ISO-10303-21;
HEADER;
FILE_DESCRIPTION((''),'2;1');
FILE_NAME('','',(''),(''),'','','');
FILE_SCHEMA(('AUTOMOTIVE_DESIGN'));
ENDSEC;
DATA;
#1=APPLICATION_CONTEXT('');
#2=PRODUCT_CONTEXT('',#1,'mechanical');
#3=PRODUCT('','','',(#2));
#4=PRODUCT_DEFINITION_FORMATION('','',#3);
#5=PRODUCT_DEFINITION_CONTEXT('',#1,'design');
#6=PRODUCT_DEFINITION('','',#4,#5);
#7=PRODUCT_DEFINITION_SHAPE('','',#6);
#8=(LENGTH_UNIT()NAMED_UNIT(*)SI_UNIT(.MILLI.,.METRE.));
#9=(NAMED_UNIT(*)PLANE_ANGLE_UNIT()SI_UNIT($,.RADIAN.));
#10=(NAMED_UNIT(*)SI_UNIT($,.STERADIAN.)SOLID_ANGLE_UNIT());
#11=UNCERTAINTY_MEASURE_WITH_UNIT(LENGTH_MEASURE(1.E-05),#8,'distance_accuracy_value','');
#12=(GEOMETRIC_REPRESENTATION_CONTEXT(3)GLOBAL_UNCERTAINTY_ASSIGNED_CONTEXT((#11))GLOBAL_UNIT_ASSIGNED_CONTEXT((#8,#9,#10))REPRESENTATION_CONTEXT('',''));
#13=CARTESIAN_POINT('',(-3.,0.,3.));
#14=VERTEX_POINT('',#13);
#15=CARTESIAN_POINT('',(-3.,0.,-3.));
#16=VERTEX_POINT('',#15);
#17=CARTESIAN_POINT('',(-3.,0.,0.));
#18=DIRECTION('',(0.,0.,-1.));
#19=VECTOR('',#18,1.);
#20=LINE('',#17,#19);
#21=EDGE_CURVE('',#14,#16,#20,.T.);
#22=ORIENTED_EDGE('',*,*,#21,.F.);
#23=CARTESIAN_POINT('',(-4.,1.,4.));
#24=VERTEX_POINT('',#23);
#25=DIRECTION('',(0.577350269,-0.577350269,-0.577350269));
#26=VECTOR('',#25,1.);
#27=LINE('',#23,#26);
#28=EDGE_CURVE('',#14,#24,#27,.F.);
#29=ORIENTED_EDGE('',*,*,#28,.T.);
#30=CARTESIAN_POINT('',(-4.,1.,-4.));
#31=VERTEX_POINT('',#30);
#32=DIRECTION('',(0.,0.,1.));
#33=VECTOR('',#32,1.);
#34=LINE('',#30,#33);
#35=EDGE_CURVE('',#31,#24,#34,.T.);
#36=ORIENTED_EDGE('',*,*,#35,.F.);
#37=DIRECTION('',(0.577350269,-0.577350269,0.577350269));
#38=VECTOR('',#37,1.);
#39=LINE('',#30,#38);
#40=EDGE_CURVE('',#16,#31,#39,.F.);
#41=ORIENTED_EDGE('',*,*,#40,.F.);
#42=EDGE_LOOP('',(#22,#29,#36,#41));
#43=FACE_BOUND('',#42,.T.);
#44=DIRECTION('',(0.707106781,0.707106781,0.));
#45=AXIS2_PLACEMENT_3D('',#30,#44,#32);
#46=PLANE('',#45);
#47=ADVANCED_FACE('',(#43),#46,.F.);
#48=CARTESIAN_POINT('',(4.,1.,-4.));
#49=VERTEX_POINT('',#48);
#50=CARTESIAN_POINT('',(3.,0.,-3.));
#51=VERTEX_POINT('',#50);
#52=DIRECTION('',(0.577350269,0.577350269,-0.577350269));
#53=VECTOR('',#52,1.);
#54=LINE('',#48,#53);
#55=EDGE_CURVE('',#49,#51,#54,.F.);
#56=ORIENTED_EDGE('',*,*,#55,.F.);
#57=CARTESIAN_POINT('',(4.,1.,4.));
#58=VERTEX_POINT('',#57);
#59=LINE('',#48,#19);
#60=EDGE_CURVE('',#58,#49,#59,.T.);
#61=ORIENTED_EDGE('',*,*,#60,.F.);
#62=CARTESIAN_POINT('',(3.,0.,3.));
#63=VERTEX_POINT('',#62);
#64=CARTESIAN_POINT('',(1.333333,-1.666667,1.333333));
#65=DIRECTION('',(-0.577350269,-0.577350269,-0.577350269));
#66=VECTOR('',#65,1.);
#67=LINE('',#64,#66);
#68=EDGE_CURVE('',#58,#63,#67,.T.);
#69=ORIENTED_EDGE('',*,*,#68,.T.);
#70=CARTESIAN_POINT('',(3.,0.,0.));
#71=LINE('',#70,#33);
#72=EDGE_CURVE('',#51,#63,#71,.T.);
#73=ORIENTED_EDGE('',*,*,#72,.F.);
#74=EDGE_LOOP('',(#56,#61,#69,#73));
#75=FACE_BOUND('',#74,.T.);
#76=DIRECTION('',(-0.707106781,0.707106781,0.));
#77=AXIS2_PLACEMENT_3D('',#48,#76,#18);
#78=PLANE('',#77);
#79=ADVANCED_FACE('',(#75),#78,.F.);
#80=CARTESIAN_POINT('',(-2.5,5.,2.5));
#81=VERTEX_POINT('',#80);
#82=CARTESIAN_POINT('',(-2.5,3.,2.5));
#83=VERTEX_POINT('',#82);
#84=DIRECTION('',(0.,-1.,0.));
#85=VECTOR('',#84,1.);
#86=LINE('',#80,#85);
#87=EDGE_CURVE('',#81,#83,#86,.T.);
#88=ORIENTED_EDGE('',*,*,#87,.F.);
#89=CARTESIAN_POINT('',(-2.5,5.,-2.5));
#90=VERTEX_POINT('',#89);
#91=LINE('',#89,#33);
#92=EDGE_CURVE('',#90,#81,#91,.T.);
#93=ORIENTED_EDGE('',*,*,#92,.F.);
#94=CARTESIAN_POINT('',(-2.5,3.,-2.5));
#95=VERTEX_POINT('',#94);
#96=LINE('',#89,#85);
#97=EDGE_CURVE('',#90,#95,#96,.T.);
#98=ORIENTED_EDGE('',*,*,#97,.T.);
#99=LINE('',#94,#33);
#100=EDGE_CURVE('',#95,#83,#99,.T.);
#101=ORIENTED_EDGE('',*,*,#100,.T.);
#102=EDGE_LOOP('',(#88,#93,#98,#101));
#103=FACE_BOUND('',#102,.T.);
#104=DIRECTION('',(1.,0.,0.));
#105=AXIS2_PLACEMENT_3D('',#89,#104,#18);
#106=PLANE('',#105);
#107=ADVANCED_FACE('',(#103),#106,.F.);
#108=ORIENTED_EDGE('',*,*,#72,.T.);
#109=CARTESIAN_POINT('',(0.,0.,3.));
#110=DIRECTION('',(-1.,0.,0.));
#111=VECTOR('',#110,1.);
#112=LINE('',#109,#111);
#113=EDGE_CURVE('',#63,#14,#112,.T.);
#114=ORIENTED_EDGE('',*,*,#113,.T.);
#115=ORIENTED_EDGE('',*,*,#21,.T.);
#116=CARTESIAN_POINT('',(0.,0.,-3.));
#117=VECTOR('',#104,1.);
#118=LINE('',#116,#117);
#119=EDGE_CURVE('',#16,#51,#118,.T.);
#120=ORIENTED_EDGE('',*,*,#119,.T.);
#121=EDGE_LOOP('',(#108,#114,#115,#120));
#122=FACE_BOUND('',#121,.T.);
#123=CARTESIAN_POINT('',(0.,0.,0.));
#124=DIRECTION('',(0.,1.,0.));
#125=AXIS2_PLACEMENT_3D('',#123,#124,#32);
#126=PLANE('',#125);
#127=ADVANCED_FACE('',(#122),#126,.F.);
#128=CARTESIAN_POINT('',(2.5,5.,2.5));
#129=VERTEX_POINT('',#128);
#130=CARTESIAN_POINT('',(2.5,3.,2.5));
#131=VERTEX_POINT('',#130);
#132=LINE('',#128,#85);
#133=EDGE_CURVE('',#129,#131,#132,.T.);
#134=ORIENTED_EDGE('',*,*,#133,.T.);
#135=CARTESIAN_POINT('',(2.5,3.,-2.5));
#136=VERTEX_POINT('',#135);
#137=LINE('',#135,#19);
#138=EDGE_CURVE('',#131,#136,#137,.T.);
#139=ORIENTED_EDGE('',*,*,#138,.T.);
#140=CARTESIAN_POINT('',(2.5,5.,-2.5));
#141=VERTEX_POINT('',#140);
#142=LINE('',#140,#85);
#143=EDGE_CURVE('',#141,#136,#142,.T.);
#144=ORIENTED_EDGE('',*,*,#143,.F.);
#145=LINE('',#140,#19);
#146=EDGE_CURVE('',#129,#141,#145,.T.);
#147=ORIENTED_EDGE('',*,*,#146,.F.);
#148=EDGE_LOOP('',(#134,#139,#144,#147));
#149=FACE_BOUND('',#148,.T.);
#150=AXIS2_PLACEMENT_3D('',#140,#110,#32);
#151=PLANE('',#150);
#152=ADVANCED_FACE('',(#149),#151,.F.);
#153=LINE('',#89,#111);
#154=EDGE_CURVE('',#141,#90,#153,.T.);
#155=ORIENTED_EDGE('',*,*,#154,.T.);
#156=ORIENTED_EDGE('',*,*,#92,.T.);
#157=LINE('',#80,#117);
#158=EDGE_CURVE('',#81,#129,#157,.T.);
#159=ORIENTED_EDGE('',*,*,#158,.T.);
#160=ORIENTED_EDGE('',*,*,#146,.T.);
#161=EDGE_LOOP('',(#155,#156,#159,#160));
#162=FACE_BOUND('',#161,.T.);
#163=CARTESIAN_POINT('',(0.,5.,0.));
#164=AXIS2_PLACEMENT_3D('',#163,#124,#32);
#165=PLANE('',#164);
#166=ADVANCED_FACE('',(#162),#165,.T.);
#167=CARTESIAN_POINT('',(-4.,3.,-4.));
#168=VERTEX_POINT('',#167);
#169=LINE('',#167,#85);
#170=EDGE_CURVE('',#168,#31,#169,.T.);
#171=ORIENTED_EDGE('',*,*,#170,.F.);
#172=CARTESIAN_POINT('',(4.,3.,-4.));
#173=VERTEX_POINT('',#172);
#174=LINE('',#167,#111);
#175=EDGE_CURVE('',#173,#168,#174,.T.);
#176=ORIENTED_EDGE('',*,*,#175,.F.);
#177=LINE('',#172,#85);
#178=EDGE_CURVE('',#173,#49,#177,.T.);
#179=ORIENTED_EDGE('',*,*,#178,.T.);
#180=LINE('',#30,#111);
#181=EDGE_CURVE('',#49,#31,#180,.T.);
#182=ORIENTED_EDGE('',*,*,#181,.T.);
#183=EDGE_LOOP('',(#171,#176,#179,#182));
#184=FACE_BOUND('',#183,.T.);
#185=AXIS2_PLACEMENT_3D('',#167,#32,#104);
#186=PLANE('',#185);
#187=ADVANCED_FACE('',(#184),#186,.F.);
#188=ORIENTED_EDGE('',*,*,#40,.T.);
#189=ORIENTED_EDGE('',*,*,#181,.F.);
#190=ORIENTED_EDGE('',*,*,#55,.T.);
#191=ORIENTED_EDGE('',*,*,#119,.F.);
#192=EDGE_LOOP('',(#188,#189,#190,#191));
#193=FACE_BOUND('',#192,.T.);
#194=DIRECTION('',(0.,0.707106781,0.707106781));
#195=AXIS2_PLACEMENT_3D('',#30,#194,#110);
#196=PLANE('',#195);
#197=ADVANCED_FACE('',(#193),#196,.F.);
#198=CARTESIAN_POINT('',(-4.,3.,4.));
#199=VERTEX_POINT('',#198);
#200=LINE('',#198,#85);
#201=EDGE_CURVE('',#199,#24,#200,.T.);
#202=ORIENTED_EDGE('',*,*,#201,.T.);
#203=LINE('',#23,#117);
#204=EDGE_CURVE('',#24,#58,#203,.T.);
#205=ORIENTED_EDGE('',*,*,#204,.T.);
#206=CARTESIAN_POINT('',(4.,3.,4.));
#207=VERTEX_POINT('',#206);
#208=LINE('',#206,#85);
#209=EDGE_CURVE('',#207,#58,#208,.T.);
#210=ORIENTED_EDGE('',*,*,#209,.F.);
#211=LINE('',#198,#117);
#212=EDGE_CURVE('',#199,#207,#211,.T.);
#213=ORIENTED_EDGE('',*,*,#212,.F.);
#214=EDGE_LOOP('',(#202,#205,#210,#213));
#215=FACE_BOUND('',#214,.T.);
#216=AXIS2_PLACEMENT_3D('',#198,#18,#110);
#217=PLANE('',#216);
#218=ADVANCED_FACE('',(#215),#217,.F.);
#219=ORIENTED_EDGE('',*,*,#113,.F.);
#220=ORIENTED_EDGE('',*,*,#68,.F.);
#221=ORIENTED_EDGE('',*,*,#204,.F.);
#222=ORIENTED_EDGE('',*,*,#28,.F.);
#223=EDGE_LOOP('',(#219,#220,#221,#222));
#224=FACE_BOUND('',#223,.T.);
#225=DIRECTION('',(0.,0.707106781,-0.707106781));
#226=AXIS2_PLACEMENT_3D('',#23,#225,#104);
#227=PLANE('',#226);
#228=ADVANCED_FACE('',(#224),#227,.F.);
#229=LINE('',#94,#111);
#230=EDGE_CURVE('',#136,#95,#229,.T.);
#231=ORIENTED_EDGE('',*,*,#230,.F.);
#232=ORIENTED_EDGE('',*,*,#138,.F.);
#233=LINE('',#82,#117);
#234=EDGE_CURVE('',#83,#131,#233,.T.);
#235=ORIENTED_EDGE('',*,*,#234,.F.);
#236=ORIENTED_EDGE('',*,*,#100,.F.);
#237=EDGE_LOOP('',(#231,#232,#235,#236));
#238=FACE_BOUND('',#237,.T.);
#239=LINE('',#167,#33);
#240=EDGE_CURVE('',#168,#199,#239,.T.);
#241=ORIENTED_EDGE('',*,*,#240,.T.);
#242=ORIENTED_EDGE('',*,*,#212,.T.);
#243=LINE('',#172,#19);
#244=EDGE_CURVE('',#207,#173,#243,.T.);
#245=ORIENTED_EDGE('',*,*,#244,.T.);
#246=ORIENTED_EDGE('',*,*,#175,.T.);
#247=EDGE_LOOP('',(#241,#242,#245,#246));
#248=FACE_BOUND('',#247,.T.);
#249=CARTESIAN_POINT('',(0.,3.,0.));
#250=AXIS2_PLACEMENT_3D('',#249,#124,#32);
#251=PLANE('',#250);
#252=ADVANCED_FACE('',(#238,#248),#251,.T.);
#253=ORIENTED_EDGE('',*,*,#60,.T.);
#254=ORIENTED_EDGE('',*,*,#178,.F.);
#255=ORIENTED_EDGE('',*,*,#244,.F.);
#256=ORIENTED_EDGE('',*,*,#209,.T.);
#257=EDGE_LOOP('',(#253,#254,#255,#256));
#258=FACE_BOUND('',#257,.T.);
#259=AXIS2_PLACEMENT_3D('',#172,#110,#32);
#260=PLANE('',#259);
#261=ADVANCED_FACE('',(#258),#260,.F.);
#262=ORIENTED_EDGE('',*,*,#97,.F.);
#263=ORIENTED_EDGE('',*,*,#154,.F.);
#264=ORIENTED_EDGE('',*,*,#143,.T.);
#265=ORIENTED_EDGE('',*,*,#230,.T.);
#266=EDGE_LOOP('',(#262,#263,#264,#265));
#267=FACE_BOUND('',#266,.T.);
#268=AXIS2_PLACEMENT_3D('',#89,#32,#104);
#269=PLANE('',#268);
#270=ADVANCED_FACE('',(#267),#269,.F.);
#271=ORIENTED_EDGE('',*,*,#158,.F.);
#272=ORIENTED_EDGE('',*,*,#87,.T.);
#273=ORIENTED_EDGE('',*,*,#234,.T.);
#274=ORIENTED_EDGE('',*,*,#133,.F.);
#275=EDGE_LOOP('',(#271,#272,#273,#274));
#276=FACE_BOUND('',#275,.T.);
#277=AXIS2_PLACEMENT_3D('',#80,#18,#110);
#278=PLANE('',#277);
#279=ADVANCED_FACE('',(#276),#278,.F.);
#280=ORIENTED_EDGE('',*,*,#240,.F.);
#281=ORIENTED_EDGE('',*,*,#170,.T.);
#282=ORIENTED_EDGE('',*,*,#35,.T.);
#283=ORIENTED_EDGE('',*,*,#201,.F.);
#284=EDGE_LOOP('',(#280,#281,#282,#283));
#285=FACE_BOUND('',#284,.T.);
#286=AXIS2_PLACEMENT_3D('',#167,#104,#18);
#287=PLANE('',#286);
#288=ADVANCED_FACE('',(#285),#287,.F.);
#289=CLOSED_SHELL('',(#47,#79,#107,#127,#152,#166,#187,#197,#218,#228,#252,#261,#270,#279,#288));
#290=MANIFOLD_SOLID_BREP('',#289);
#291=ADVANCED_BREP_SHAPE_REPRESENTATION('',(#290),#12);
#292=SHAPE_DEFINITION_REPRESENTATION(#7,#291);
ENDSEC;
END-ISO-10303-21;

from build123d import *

# Parameters (mm, degrees)
ESQUISSE1_W        = 8
ESQUISSE1_H        = 8
BOSS_EXTRU_1_DEPTH = 3
CHANFREIN1_SIZE    = 1
ESQUISSE2_W        = 5
ESQUISSE2_H        = 5
BOSS_EXTRU_2_DEPTH = 2


with BuildPart() as part:
    # Esquisse1 → Boss.-Extru.1 (new body)
    with BuildSketch(Plane(origin=(0, 0, 0), x_dir=(1, 0, 0), z_dir=(0, 1, 0))):
        Rectangle(ESQUISSE1_W, ESQUISSE1_H)
    extrude(amount=BOSS_EXTRU_1_DEPTH)

    # Chanfrein1
    chanfrein1_edges = [part.edges().sort_by_distance(p)[0] for p in [
        (0, 0, 4),
        (-4, 0, 0),
        (0, 0, -4),
        (4, 0, 0),
    ]]
    chamfer(chanfrein1_edges, length=CHANFREIN1_SIZE)

    # Esquisse2 → Boss.-Extru.2 (add)
    with BuildSketch(Plane(origin=(0, 3, 0), x_dir=(1, 0, 0), z_dir=(0, 1, 0))):
        Rectangle(ESQUISSE2_W, ESQUISSE2_H)
    extrude(amount=BOSS_EXTRU_2_DEPTH)


solid = part.part
